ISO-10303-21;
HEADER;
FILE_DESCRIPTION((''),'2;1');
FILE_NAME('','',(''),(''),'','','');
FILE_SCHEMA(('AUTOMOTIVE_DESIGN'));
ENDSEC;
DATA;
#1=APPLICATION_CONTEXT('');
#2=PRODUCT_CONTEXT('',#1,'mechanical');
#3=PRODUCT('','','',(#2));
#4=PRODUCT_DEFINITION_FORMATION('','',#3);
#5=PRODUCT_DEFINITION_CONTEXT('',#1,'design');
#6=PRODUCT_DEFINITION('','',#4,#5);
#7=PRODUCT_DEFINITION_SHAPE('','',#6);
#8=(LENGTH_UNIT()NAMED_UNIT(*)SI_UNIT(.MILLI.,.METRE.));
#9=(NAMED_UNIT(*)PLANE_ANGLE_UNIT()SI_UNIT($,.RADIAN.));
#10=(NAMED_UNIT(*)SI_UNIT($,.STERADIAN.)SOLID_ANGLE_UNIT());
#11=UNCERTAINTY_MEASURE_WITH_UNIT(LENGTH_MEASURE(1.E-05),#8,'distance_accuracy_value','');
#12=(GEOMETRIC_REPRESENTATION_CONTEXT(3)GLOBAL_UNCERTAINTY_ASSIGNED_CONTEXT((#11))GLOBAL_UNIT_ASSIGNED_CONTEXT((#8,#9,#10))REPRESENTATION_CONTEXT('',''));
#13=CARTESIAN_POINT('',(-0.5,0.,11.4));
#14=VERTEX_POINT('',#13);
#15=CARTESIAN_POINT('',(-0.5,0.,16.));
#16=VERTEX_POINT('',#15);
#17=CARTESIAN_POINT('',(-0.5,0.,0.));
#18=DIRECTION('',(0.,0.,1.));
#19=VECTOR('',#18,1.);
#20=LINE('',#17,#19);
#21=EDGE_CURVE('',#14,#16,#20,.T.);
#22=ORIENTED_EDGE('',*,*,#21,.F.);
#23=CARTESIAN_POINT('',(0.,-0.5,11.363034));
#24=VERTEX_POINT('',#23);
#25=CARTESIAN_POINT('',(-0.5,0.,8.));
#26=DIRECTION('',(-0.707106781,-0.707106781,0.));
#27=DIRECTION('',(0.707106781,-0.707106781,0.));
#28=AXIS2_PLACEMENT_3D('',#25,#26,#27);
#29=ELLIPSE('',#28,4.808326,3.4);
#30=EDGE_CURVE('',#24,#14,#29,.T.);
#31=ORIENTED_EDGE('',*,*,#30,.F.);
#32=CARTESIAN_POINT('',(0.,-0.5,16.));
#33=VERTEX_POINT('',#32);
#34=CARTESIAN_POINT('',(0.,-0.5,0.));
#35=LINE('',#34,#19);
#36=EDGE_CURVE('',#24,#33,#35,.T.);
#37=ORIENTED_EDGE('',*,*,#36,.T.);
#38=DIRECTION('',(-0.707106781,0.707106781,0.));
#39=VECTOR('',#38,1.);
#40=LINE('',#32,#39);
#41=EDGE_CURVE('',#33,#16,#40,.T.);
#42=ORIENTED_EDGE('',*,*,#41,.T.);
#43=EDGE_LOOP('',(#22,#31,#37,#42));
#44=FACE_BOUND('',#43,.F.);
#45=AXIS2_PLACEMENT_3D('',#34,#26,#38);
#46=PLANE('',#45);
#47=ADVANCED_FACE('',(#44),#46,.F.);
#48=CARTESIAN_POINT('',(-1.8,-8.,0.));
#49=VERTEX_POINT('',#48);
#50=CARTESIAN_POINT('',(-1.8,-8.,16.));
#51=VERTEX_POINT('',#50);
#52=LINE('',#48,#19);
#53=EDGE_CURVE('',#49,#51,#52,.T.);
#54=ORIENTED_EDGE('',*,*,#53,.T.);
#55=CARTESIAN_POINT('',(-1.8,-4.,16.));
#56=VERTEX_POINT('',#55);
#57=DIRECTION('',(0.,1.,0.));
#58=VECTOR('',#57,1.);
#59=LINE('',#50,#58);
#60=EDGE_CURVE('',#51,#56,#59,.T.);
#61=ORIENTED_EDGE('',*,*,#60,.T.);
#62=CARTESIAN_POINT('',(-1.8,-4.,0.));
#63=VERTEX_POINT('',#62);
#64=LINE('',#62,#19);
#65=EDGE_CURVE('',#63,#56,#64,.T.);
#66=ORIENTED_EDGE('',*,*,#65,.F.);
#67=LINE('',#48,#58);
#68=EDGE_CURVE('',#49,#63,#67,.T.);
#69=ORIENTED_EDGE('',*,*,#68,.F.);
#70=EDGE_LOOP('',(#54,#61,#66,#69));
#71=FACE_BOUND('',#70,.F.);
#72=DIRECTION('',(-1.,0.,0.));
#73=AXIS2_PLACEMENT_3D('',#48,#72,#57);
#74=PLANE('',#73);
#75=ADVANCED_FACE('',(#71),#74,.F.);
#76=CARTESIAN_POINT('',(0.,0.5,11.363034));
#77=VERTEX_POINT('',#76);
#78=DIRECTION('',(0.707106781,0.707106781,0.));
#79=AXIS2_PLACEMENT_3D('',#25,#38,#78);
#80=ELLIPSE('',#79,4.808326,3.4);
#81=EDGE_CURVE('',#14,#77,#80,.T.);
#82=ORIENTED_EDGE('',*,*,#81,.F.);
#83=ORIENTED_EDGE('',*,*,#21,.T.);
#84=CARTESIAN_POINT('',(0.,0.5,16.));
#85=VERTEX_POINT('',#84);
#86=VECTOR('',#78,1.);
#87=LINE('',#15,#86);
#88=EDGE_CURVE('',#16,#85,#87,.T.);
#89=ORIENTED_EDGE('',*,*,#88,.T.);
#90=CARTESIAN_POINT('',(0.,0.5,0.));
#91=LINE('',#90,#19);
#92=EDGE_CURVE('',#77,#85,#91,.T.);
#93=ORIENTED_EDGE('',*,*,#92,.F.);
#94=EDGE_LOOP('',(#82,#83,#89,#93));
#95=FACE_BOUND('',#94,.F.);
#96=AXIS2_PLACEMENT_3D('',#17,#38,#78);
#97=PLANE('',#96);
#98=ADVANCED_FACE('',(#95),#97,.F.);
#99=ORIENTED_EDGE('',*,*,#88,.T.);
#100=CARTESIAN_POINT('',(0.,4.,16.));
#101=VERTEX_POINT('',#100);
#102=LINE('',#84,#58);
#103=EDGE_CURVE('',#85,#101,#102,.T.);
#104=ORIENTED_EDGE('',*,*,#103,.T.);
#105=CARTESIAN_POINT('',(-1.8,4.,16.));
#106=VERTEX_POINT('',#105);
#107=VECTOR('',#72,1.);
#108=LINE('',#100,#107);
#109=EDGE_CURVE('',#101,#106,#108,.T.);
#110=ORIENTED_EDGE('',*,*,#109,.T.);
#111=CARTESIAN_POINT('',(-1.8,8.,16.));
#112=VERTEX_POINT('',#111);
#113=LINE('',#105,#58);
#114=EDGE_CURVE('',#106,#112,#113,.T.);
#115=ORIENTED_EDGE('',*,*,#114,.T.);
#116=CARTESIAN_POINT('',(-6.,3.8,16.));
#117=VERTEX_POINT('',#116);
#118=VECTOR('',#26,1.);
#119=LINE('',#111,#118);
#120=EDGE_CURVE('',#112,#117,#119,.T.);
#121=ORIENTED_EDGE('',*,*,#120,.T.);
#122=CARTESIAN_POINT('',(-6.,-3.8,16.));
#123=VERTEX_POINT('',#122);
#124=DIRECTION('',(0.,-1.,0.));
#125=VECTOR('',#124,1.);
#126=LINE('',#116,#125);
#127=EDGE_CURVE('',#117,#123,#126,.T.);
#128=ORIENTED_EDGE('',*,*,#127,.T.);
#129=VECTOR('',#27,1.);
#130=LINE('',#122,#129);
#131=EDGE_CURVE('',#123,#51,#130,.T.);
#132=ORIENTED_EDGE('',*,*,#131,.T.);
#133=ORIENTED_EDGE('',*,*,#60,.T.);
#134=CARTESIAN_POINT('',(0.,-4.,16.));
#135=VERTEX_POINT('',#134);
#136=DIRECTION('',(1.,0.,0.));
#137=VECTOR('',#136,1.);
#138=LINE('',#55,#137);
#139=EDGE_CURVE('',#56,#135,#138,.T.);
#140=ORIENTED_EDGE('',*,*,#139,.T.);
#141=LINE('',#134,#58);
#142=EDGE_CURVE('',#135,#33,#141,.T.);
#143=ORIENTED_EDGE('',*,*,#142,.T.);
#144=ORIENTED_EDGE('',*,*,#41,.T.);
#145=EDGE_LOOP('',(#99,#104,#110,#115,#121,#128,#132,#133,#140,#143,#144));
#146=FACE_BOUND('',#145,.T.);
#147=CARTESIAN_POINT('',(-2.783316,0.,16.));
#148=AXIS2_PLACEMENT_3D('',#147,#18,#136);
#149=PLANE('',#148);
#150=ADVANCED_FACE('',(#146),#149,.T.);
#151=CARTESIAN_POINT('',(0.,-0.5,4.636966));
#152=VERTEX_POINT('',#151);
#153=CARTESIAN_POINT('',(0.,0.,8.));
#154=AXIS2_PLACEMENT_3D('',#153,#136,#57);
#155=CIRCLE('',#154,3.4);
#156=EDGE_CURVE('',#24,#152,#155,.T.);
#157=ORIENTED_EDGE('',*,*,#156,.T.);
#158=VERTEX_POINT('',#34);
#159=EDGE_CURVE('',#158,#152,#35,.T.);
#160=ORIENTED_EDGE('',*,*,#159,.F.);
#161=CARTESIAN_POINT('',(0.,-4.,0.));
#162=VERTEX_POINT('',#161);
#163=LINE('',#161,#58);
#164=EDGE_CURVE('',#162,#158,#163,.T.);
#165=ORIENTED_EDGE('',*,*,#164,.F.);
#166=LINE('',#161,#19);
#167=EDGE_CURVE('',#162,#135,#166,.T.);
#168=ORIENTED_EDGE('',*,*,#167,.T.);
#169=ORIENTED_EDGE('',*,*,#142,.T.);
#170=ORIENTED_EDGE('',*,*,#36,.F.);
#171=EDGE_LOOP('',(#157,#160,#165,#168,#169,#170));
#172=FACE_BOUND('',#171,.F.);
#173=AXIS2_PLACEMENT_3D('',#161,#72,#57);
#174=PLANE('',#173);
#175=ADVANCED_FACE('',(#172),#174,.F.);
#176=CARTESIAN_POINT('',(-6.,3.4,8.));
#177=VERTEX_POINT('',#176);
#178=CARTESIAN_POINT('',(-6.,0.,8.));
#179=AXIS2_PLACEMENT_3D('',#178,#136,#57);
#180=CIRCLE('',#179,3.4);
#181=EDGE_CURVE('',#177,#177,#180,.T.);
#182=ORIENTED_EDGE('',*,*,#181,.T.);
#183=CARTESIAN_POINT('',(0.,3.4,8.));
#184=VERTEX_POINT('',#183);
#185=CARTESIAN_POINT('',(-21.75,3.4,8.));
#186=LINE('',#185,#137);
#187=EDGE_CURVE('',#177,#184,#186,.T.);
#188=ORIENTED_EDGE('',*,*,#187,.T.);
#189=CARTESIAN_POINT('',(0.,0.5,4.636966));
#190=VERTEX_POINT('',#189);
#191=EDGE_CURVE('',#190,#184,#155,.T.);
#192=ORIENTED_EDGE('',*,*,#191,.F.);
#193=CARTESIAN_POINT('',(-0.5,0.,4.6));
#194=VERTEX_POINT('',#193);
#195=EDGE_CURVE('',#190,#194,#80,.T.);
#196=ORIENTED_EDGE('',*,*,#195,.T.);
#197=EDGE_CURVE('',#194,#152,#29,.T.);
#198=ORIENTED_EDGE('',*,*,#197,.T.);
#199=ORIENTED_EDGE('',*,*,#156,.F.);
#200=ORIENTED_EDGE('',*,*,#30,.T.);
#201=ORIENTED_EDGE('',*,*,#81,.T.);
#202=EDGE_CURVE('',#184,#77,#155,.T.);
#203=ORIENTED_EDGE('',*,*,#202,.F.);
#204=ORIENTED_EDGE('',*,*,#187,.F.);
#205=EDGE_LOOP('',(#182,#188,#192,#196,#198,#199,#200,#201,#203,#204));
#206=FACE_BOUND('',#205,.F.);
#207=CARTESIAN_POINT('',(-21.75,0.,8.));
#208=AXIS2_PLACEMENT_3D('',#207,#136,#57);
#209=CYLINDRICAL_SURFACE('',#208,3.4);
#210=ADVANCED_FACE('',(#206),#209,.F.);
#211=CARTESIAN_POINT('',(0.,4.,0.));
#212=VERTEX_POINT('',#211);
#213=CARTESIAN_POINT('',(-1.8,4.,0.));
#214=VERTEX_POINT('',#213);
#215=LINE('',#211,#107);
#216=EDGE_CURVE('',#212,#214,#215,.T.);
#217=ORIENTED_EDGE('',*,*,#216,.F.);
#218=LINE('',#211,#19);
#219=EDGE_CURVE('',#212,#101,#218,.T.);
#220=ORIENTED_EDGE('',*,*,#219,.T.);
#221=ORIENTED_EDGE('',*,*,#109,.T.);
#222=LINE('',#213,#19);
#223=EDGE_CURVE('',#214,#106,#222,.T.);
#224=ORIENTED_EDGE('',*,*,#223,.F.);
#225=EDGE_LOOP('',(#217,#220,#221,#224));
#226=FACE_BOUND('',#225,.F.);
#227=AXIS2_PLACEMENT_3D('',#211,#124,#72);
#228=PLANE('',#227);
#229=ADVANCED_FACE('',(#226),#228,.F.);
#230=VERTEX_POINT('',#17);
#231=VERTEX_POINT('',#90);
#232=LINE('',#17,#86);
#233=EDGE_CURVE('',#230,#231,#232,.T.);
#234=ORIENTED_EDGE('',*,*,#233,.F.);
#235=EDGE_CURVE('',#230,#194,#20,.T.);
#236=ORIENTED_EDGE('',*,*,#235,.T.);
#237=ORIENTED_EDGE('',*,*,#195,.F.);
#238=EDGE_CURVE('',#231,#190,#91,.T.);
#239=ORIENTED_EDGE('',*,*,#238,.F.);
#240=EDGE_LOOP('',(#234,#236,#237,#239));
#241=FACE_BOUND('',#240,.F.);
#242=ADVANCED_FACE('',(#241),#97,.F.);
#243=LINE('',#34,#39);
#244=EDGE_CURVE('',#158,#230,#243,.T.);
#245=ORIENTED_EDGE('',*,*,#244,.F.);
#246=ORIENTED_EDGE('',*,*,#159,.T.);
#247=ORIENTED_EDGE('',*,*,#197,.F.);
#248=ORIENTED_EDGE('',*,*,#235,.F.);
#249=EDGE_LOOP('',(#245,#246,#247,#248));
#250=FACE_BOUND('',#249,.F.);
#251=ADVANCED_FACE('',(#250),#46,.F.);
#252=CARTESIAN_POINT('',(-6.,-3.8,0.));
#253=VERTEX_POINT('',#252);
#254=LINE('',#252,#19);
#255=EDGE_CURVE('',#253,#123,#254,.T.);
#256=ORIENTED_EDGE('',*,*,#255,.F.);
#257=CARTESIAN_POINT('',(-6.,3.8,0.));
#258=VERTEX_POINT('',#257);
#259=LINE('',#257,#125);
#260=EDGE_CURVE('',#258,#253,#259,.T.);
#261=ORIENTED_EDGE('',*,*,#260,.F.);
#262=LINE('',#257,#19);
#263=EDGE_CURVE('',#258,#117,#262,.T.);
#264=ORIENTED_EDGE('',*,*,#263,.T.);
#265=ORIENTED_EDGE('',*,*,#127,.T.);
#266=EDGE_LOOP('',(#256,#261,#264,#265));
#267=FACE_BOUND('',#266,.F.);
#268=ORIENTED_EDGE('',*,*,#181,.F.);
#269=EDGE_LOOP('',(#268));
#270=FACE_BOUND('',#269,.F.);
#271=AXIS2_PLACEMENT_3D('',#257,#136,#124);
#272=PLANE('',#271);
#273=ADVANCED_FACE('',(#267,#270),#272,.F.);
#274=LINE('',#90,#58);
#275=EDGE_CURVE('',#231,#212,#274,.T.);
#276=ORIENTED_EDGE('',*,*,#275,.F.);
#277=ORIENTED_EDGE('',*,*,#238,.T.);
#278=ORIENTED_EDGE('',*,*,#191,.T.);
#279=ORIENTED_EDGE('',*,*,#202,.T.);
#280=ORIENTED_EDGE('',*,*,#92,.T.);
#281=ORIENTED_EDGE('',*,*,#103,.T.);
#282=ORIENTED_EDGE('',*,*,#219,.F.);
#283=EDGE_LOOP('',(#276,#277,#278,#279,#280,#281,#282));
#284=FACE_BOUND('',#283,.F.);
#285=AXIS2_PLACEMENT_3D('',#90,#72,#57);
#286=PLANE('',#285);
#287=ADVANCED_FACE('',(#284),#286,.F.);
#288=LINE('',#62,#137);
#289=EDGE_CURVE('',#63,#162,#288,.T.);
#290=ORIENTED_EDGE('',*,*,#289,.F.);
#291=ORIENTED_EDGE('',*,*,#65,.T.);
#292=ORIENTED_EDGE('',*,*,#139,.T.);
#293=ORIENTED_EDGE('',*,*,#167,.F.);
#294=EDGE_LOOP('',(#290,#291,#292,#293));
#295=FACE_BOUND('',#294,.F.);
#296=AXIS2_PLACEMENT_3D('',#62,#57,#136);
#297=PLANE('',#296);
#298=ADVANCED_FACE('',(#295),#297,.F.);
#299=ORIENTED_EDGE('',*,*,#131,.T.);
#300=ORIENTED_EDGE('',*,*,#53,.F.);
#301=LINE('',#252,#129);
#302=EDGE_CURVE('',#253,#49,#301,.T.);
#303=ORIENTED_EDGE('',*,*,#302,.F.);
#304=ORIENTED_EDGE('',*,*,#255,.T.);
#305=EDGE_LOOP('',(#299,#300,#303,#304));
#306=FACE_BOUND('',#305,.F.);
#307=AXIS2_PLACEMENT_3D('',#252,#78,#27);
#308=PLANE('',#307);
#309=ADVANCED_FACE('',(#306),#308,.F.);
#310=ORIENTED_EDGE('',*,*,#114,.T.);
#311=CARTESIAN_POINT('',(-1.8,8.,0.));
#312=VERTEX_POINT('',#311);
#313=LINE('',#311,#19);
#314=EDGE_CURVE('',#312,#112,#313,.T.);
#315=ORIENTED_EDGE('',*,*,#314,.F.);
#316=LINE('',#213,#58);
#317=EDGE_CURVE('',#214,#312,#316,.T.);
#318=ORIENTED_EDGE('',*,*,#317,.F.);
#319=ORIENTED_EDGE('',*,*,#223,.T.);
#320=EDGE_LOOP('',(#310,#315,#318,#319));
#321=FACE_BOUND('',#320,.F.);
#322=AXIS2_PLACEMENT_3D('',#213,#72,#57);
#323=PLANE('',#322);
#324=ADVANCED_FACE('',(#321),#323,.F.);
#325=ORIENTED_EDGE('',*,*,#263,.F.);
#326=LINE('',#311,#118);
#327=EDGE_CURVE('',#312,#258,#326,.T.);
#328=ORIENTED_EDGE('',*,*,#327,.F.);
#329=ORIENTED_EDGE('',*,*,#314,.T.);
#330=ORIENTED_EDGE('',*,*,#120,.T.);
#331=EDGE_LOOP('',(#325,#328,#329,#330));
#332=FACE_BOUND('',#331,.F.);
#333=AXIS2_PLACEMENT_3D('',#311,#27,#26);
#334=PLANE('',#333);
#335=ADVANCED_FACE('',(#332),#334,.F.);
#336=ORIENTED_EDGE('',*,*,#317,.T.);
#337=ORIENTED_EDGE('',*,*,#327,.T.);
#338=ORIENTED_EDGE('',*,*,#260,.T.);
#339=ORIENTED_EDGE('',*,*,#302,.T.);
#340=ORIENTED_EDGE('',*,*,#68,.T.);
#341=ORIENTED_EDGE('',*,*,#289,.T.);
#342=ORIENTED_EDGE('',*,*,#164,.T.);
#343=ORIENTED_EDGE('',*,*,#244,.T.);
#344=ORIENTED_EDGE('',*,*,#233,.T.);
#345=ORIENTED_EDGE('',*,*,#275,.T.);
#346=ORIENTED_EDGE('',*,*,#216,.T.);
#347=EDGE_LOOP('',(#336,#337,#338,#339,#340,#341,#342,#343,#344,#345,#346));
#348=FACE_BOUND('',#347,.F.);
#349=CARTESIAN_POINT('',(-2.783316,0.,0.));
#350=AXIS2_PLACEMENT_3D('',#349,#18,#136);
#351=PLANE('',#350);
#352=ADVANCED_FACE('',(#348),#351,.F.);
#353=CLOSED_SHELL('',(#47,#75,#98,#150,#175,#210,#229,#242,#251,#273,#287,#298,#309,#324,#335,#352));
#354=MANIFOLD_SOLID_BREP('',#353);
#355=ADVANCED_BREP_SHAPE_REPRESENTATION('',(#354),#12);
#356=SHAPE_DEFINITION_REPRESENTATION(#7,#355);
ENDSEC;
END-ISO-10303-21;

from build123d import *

# Parameters (mm, degrees)
F1_DEPTH = 16
F3_D     = 6.8
F3_DEPTH = 15.75
F3_TIP   = 2.0429261047


with BuildPart() as f1:
    # F0 (on Top) → F1 (new body)
    with BuildSketch(Plane.XY):
        Polygon((-0.5, 0), (0, 0.5), (0, 4), (-1.8, 4), (-1.8, 8), (-6, 3.8), (-6, 0), (-6, -3.8), (-1.8, -8), (-1.8, -4), (0, -4), (0, -0.5), align=None)
    extrude(amount=F1_DEPTH)

    # F3
    with Locations(Plane(origin=(-6, 0, 0), x_dir=(0, -1, 0), z_dir=(-1, 0, 0))):
        with Locations((0, 8)):
            Hole(F3_D / 2, depth=F3_DEPTH)
            with Locations((0, 0, -(F3_DEPTH + F3_TIP / 2))):  # 118° drill point
                Cone(0, F3_D / 2, F3_TIP, mode=Mode.SUBTRACT)


solid = f1.part
